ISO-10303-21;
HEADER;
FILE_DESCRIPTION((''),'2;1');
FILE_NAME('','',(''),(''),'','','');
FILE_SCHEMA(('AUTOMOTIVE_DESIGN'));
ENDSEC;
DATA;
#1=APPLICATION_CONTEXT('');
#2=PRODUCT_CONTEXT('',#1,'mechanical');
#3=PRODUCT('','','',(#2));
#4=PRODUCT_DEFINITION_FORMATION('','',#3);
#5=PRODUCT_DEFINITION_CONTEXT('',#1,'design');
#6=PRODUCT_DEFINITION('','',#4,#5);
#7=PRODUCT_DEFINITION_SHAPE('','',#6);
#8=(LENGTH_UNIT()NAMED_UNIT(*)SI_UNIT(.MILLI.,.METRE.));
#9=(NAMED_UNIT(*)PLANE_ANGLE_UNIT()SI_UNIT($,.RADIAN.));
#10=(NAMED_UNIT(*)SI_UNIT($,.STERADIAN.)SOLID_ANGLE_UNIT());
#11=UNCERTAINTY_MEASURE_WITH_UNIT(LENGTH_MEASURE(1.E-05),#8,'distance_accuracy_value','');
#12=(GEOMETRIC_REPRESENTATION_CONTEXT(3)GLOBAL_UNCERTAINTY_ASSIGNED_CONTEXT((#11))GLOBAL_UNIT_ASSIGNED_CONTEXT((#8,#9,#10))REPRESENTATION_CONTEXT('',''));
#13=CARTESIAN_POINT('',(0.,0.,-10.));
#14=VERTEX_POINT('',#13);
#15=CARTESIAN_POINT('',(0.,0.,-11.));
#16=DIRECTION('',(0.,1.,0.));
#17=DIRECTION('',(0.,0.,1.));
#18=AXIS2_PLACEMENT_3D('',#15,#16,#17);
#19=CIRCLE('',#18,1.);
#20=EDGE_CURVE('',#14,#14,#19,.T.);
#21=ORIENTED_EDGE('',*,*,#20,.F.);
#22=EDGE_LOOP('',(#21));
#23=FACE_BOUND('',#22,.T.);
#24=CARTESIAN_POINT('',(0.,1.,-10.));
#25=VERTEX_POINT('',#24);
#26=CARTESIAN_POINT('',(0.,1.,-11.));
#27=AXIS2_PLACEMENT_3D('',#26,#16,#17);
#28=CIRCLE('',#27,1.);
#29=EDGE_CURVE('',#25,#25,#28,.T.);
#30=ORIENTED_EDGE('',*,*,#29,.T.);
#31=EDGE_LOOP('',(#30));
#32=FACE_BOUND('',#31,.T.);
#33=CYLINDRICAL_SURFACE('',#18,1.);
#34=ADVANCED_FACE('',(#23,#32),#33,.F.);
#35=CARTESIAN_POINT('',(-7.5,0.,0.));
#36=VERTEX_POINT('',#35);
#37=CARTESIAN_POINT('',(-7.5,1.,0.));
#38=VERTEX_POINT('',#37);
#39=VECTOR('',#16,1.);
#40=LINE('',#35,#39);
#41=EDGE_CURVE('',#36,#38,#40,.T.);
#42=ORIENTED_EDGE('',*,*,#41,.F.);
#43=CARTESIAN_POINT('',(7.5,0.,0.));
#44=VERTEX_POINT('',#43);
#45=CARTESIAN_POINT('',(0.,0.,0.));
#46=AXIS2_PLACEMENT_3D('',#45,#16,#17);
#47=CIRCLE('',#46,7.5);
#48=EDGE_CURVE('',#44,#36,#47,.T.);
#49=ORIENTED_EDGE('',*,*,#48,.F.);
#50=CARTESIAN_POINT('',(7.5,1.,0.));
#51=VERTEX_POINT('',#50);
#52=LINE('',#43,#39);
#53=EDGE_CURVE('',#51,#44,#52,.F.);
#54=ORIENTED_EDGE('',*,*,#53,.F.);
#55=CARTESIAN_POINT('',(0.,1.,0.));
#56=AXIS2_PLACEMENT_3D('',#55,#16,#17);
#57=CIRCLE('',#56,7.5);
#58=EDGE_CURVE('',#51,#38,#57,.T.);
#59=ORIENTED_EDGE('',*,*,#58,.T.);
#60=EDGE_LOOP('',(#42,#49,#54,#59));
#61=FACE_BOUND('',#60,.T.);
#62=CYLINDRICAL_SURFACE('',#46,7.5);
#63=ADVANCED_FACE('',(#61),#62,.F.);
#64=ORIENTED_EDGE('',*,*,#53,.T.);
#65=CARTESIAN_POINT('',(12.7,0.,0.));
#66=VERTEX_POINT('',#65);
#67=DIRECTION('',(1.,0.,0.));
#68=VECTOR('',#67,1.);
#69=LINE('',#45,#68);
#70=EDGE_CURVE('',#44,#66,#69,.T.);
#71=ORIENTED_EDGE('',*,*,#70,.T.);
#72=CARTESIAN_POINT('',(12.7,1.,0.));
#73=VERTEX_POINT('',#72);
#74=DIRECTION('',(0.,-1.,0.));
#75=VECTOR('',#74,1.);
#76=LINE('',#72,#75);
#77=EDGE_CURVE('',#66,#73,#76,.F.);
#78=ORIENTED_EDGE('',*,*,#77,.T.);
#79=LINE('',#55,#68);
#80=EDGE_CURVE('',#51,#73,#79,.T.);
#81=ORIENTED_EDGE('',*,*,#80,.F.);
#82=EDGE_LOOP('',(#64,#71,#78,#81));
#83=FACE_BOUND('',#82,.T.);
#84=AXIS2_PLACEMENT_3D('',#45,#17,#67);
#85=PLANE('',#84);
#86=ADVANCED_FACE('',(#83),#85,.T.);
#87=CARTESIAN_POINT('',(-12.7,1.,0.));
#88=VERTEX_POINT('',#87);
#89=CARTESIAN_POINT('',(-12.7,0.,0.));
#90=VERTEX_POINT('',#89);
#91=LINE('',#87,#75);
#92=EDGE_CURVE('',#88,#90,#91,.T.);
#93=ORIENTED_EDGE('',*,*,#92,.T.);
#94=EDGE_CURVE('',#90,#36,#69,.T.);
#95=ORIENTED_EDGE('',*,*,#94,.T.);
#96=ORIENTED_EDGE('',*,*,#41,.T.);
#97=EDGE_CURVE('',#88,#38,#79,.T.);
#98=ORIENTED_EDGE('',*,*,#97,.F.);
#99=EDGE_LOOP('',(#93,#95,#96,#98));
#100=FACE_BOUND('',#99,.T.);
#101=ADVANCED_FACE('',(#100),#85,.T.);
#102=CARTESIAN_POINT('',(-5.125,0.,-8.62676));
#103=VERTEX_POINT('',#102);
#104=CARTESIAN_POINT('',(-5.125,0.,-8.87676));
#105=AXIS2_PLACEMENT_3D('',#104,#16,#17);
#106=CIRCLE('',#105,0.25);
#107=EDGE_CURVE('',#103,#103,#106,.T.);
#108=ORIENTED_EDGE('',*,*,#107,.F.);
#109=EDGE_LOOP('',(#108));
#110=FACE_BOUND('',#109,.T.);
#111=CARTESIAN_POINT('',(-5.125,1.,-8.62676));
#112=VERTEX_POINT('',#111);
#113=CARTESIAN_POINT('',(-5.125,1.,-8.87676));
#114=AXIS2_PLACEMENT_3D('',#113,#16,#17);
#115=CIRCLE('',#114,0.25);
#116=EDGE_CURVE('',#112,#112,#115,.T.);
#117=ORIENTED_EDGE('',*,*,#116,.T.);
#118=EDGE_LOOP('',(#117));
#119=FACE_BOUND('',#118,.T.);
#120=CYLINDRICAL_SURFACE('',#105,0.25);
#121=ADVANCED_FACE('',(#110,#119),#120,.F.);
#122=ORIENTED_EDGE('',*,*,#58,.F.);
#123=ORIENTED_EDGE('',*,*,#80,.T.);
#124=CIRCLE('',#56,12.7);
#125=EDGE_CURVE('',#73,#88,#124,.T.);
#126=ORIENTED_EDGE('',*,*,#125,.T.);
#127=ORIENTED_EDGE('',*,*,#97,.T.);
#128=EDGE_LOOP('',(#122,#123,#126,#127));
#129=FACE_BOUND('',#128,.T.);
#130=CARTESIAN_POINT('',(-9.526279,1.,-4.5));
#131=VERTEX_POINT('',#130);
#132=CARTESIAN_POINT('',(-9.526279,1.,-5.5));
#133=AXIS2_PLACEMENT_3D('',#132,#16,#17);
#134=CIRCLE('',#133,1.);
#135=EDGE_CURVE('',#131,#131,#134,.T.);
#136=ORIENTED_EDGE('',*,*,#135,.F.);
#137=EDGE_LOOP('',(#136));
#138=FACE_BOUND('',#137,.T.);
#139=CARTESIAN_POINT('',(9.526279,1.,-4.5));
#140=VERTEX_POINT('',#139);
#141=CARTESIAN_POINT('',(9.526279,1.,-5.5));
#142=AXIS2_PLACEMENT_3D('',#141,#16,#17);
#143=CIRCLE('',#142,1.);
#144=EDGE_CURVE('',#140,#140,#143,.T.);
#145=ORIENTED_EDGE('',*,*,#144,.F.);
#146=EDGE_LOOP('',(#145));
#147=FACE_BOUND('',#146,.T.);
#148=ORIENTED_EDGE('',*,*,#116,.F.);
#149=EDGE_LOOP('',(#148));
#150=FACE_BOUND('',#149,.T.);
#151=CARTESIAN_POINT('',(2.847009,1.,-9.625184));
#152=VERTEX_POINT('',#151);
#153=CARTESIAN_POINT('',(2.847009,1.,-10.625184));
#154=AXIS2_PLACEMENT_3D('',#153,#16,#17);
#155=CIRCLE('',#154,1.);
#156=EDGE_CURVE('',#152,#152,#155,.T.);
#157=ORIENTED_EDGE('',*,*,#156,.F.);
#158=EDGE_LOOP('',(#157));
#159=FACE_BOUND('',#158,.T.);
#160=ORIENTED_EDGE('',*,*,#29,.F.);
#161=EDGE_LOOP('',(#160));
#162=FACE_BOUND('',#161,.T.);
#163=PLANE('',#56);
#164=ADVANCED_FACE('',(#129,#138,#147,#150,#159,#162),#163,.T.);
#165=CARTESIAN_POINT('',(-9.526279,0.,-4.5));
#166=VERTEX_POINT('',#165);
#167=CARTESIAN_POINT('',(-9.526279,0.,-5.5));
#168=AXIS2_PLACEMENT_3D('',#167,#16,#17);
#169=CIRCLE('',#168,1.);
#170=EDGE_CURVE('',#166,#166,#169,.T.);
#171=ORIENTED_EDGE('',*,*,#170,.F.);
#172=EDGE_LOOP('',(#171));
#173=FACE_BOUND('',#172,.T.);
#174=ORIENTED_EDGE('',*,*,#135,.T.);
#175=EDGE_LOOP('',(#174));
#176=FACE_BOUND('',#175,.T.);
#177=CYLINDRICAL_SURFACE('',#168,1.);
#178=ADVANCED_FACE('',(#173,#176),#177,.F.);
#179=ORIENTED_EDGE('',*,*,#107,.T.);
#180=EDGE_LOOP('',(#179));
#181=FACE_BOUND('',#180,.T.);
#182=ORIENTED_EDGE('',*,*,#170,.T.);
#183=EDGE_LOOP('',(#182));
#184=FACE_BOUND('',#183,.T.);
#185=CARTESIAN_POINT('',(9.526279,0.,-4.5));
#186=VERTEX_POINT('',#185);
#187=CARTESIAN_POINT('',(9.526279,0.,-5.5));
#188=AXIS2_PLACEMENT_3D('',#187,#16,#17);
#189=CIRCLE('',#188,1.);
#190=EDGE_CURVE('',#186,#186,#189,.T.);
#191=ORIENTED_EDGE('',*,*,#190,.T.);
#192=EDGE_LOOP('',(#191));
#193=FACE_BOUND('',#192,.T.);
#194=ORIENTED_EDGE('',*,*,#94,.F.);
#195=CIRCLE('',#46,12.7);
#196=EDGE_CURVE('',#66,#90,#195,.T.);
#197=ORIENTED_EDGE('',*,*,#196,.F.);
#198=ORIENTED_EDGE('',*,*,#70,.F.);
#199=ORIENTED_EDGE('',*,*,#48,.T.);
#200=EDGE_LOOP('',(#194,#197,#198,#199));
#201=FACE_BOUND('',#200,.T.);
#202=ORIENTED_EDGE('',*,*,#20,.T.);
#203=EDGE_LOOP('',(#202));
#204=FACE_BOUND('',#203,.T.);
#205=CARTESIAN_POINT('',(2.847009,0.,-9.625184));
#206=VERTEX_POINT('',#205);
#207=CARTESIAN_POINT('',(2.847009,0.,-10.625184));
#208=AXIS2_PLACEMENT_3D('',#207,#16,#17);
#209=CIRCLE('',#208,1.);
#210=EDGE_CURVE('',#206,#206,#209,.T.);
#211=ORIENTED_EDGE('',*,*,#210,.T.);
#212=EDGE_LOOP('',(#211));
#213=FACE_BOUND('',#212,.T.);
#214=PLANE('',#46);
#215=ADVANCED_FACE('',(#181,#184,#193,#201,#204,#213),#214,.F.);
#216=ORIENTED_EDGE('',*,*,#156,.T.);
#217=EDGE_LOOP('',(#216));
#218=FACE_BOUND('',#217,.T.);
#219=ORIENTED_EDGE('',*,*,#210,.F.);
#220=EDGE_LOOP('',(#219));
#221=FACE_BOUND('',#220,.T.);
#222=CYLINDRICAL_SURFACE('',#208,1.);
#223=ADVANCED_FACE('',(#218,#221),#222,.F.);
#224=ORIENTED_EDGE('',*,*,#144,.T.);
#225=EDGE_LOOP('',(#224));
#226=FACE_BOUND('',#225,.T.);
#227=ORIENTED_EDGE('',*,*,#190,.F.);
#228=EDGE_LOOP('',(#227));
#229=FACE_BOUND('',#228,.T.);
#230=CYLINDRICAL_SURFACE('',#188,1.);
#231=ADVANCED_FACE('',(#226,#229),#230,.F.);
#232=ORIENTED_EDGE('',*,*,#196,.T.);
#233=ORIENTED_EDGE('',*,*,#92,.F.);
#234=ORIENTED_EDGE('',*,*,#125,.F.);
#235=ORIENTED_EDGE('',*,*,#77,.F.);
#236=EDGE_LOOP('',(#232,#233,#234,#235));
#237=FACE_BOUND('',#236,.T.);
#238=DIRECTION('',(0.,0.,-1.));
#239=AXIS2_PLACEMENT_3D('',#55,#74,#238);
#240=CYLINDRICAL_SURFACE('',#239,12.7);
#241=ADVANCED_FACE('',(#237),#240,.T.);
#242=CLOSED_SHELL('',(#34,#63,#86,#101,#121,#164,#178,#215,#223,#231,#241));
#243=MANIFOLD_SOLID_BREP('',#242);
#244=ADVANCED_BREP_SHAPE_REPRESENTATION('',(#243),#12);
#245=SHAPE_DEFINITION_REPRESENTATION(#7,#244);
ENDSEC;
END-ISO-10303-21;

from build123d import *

# Parameters (mm, degrees)
SKETCH1_R               = 12.7
BOSS_EXTRUDE1_DEPTH     = 1
CUT_EXTRUDE1_DEPTH      = 18.98832955
CUT_EXTRUDE1_DEPTH_BACK = 18.98832955
SKETCH19_R              = 1
CUT_EXTRUDE2_DEPTH      = 18.98832955
CUT_EXTRUDE2_DEPTH_BACK = 18.98832955
SKETCH20_R              = 7.5
SKETCH21_W              = 65.874202484
SKETCH21_H              = 51.979273979
CUT_EXTRUDE3_DEPTH      = 18.98832955
CUT_EXTRUDE4_DEPTH      = 18.98832955
CUT_EXTRUDE4_DEPTH_BACK = 18.98832955
SKETCH22_R              = 1
SKETCH22_R_2            = 0.25


with BuildPart() as part:
    # Sketch1 → Boss-Extrude1 (new body)
    with BuildSketch(Plane(origin=(0, 0, 0), x_dir=(1, 0, 0), z_dir=(0, 1, 0))):
        with Locations(Location((0, 0, 0), (0, 0, 270))):
            Circle(SKETCH1_R)
    extrude(amount=BOSS_EXTRUDE1_DEPTH)

    # Sketch19 → Cut-Extrude1 (cut, two sides: drawn at the far end of the back side and taken through both)
    with BuildSketch(Plane(origin=(0, 1, 0), x_dir=(1, 0, 0), z_dir=(0, 1, 0)).offset(-CUT_EXTRUDE1_DEPTH_BACK)):
        with Locations(Location((0, 11, 0), (0, 0, 270))):
            Circle(SKETCH19_R)
        with Locations(Location((9.526279442, 5.5, 0), (0, 0, 270))):
            Circle(SKETCH19_R)
        with Locations(Location((9.526279442, -5.5, 0), (0, 0, 270))):
            Circle(SKETCH19_R)
        with Locations(Location((0, -11, 0), (0, 0, 270))):
            Circle(SKETCH19_R)
        with Locations(Location((-9.526279442, -5.5, 0), (0, 0, 270))):
            Circle(SKETCH19_R)
        with Locations(Location((-9.526279442, 5.5, 0), (0, 0, 270))):
            Circle(SKETCH19_R)
    extrude(amount=CUT_EXTRUDE1_DEPTH + CUT_EXTRUDE1_DEPTH_BACK, mode=Mode.SUBTRACT)

    # Sketch20 → Cut-Extrude2 (cut, two sides: drawn at the far end of the back side and taken through both)
    with BuildSketch(Plane(origin=(0, 1, 0), x_dir=(1, 0, 0), z_dir=(0, 1, 0)).offset(-CUT_EXTRUDE2_DEPTH_BACK)):
        with Locations(Location((0, 0, 0), (0, 0, 270))):
            Circle(SKETCH20_R)
    extrude(amount=CUT_EXTRUDE2_DEPTH + CUT_EXTRUDE2_DEPTH_BACK, mode=Mode.SUBTRACT)

    # Sketch21 → Cut-Extrude3 (cut, through all)
    with BuildSketch(Plane.XY):
        with Locations((-3.816154381, 6.321647006)):
            Rectangle(SKETCH21_W, SKETCH21_H)
    extrude(amount=CUT_EXTRUDE3_DEPTH, mode=Mode.SUBTRACT)

    # Sketch22 → Cut-Extrude4 (cut, two sides: drawn at the far end of the back side and taken through both)
    with BuildSketch(Plane(origin=(0, 1, 0), x_dir=(1, 0, 0), z_dir=(0, 1, 0)).offset(-CUT_EXTRUDE4_DEPTH_BACK)):
        with Locations(Location((2.847009496, 10.625184089, 0), (0, 0, 270))):
            Circle(SKETCH22_R)
        with Locations(Location((-5.125, 8.876760389, 0), (0, 0, 270))):
            Circle(SKETCH22_R_2)
    extrude(amount=CUT_EXTRUDE4_DEPTH + CUT_EXTRUDE4_DEPTH_BACK, mode=Mode.SUBTRACT)


solid = part.part
